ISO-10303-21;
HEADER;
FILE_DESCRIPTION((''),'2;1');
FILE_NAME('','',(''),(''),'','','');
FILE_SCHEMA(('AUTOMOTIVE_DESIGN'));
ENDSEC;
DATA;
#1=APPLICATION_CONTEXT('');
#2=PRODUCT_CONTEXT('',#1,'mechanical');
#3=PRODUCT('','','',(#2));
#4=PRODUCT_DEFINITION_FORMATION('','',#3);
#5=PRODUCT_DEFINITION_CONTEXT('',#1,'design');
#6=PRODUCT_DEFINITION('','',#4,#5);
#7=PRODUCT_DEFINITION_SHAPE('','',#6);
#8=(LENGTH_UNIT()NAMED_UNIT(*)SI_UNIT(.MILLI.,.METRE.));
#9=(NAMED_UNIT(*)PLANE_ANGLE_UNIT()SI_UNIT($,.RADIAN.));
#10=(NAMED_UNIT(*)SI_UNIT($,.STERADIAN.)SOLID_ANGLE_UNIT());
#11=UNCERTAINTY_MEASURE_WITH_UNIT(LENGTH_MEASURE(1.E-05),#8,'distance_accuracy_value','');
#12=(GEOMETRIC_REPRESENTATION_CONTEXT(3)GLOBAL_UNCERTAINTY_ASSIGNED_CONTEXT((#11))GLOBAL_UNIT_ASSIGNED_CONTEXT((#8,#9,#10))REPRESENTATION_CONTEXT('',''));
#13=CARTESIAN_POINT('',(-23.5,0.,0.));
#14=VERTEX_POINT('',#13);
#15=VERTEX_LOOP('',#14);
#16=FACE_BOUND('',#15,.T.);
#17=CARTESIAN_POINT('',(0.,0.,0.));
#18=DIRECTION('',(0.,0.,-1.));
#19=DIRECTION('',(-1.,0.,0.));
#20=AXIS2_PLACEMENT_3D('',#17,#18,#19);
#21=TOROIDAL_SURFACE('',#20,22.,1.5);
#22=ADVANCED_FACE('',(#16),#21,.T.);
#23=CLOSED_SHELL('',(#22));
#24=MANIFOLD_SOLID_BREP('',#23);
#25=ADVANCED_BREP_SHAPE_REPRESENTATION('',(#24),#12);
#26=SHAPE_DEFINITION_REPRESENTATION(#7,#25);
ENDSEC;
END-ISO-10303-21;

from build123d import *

# Parameters (mm, degrees)
SKETCH2_R = 1.5


with BuildPart() as part:
    # Sketch2 → Revolve1 (revolve)
    with BuildSketch(Plane(origin=(0, 0, 0), x_dir=(0, 0, -1), z_dir=(1, 0, 0)), mode=Mode.PRIVATE) as revolve1_sk:
        with Locations((0, 22)):
            Circle(SKETCH2_R)
    revolve(revolve1_sk.sketch.rotate(Axis((0, 0, 0), (0, 0, 1)), 90), axis=Axis((0, 0, 0), (0, 0, 1)))


solid = part.part
